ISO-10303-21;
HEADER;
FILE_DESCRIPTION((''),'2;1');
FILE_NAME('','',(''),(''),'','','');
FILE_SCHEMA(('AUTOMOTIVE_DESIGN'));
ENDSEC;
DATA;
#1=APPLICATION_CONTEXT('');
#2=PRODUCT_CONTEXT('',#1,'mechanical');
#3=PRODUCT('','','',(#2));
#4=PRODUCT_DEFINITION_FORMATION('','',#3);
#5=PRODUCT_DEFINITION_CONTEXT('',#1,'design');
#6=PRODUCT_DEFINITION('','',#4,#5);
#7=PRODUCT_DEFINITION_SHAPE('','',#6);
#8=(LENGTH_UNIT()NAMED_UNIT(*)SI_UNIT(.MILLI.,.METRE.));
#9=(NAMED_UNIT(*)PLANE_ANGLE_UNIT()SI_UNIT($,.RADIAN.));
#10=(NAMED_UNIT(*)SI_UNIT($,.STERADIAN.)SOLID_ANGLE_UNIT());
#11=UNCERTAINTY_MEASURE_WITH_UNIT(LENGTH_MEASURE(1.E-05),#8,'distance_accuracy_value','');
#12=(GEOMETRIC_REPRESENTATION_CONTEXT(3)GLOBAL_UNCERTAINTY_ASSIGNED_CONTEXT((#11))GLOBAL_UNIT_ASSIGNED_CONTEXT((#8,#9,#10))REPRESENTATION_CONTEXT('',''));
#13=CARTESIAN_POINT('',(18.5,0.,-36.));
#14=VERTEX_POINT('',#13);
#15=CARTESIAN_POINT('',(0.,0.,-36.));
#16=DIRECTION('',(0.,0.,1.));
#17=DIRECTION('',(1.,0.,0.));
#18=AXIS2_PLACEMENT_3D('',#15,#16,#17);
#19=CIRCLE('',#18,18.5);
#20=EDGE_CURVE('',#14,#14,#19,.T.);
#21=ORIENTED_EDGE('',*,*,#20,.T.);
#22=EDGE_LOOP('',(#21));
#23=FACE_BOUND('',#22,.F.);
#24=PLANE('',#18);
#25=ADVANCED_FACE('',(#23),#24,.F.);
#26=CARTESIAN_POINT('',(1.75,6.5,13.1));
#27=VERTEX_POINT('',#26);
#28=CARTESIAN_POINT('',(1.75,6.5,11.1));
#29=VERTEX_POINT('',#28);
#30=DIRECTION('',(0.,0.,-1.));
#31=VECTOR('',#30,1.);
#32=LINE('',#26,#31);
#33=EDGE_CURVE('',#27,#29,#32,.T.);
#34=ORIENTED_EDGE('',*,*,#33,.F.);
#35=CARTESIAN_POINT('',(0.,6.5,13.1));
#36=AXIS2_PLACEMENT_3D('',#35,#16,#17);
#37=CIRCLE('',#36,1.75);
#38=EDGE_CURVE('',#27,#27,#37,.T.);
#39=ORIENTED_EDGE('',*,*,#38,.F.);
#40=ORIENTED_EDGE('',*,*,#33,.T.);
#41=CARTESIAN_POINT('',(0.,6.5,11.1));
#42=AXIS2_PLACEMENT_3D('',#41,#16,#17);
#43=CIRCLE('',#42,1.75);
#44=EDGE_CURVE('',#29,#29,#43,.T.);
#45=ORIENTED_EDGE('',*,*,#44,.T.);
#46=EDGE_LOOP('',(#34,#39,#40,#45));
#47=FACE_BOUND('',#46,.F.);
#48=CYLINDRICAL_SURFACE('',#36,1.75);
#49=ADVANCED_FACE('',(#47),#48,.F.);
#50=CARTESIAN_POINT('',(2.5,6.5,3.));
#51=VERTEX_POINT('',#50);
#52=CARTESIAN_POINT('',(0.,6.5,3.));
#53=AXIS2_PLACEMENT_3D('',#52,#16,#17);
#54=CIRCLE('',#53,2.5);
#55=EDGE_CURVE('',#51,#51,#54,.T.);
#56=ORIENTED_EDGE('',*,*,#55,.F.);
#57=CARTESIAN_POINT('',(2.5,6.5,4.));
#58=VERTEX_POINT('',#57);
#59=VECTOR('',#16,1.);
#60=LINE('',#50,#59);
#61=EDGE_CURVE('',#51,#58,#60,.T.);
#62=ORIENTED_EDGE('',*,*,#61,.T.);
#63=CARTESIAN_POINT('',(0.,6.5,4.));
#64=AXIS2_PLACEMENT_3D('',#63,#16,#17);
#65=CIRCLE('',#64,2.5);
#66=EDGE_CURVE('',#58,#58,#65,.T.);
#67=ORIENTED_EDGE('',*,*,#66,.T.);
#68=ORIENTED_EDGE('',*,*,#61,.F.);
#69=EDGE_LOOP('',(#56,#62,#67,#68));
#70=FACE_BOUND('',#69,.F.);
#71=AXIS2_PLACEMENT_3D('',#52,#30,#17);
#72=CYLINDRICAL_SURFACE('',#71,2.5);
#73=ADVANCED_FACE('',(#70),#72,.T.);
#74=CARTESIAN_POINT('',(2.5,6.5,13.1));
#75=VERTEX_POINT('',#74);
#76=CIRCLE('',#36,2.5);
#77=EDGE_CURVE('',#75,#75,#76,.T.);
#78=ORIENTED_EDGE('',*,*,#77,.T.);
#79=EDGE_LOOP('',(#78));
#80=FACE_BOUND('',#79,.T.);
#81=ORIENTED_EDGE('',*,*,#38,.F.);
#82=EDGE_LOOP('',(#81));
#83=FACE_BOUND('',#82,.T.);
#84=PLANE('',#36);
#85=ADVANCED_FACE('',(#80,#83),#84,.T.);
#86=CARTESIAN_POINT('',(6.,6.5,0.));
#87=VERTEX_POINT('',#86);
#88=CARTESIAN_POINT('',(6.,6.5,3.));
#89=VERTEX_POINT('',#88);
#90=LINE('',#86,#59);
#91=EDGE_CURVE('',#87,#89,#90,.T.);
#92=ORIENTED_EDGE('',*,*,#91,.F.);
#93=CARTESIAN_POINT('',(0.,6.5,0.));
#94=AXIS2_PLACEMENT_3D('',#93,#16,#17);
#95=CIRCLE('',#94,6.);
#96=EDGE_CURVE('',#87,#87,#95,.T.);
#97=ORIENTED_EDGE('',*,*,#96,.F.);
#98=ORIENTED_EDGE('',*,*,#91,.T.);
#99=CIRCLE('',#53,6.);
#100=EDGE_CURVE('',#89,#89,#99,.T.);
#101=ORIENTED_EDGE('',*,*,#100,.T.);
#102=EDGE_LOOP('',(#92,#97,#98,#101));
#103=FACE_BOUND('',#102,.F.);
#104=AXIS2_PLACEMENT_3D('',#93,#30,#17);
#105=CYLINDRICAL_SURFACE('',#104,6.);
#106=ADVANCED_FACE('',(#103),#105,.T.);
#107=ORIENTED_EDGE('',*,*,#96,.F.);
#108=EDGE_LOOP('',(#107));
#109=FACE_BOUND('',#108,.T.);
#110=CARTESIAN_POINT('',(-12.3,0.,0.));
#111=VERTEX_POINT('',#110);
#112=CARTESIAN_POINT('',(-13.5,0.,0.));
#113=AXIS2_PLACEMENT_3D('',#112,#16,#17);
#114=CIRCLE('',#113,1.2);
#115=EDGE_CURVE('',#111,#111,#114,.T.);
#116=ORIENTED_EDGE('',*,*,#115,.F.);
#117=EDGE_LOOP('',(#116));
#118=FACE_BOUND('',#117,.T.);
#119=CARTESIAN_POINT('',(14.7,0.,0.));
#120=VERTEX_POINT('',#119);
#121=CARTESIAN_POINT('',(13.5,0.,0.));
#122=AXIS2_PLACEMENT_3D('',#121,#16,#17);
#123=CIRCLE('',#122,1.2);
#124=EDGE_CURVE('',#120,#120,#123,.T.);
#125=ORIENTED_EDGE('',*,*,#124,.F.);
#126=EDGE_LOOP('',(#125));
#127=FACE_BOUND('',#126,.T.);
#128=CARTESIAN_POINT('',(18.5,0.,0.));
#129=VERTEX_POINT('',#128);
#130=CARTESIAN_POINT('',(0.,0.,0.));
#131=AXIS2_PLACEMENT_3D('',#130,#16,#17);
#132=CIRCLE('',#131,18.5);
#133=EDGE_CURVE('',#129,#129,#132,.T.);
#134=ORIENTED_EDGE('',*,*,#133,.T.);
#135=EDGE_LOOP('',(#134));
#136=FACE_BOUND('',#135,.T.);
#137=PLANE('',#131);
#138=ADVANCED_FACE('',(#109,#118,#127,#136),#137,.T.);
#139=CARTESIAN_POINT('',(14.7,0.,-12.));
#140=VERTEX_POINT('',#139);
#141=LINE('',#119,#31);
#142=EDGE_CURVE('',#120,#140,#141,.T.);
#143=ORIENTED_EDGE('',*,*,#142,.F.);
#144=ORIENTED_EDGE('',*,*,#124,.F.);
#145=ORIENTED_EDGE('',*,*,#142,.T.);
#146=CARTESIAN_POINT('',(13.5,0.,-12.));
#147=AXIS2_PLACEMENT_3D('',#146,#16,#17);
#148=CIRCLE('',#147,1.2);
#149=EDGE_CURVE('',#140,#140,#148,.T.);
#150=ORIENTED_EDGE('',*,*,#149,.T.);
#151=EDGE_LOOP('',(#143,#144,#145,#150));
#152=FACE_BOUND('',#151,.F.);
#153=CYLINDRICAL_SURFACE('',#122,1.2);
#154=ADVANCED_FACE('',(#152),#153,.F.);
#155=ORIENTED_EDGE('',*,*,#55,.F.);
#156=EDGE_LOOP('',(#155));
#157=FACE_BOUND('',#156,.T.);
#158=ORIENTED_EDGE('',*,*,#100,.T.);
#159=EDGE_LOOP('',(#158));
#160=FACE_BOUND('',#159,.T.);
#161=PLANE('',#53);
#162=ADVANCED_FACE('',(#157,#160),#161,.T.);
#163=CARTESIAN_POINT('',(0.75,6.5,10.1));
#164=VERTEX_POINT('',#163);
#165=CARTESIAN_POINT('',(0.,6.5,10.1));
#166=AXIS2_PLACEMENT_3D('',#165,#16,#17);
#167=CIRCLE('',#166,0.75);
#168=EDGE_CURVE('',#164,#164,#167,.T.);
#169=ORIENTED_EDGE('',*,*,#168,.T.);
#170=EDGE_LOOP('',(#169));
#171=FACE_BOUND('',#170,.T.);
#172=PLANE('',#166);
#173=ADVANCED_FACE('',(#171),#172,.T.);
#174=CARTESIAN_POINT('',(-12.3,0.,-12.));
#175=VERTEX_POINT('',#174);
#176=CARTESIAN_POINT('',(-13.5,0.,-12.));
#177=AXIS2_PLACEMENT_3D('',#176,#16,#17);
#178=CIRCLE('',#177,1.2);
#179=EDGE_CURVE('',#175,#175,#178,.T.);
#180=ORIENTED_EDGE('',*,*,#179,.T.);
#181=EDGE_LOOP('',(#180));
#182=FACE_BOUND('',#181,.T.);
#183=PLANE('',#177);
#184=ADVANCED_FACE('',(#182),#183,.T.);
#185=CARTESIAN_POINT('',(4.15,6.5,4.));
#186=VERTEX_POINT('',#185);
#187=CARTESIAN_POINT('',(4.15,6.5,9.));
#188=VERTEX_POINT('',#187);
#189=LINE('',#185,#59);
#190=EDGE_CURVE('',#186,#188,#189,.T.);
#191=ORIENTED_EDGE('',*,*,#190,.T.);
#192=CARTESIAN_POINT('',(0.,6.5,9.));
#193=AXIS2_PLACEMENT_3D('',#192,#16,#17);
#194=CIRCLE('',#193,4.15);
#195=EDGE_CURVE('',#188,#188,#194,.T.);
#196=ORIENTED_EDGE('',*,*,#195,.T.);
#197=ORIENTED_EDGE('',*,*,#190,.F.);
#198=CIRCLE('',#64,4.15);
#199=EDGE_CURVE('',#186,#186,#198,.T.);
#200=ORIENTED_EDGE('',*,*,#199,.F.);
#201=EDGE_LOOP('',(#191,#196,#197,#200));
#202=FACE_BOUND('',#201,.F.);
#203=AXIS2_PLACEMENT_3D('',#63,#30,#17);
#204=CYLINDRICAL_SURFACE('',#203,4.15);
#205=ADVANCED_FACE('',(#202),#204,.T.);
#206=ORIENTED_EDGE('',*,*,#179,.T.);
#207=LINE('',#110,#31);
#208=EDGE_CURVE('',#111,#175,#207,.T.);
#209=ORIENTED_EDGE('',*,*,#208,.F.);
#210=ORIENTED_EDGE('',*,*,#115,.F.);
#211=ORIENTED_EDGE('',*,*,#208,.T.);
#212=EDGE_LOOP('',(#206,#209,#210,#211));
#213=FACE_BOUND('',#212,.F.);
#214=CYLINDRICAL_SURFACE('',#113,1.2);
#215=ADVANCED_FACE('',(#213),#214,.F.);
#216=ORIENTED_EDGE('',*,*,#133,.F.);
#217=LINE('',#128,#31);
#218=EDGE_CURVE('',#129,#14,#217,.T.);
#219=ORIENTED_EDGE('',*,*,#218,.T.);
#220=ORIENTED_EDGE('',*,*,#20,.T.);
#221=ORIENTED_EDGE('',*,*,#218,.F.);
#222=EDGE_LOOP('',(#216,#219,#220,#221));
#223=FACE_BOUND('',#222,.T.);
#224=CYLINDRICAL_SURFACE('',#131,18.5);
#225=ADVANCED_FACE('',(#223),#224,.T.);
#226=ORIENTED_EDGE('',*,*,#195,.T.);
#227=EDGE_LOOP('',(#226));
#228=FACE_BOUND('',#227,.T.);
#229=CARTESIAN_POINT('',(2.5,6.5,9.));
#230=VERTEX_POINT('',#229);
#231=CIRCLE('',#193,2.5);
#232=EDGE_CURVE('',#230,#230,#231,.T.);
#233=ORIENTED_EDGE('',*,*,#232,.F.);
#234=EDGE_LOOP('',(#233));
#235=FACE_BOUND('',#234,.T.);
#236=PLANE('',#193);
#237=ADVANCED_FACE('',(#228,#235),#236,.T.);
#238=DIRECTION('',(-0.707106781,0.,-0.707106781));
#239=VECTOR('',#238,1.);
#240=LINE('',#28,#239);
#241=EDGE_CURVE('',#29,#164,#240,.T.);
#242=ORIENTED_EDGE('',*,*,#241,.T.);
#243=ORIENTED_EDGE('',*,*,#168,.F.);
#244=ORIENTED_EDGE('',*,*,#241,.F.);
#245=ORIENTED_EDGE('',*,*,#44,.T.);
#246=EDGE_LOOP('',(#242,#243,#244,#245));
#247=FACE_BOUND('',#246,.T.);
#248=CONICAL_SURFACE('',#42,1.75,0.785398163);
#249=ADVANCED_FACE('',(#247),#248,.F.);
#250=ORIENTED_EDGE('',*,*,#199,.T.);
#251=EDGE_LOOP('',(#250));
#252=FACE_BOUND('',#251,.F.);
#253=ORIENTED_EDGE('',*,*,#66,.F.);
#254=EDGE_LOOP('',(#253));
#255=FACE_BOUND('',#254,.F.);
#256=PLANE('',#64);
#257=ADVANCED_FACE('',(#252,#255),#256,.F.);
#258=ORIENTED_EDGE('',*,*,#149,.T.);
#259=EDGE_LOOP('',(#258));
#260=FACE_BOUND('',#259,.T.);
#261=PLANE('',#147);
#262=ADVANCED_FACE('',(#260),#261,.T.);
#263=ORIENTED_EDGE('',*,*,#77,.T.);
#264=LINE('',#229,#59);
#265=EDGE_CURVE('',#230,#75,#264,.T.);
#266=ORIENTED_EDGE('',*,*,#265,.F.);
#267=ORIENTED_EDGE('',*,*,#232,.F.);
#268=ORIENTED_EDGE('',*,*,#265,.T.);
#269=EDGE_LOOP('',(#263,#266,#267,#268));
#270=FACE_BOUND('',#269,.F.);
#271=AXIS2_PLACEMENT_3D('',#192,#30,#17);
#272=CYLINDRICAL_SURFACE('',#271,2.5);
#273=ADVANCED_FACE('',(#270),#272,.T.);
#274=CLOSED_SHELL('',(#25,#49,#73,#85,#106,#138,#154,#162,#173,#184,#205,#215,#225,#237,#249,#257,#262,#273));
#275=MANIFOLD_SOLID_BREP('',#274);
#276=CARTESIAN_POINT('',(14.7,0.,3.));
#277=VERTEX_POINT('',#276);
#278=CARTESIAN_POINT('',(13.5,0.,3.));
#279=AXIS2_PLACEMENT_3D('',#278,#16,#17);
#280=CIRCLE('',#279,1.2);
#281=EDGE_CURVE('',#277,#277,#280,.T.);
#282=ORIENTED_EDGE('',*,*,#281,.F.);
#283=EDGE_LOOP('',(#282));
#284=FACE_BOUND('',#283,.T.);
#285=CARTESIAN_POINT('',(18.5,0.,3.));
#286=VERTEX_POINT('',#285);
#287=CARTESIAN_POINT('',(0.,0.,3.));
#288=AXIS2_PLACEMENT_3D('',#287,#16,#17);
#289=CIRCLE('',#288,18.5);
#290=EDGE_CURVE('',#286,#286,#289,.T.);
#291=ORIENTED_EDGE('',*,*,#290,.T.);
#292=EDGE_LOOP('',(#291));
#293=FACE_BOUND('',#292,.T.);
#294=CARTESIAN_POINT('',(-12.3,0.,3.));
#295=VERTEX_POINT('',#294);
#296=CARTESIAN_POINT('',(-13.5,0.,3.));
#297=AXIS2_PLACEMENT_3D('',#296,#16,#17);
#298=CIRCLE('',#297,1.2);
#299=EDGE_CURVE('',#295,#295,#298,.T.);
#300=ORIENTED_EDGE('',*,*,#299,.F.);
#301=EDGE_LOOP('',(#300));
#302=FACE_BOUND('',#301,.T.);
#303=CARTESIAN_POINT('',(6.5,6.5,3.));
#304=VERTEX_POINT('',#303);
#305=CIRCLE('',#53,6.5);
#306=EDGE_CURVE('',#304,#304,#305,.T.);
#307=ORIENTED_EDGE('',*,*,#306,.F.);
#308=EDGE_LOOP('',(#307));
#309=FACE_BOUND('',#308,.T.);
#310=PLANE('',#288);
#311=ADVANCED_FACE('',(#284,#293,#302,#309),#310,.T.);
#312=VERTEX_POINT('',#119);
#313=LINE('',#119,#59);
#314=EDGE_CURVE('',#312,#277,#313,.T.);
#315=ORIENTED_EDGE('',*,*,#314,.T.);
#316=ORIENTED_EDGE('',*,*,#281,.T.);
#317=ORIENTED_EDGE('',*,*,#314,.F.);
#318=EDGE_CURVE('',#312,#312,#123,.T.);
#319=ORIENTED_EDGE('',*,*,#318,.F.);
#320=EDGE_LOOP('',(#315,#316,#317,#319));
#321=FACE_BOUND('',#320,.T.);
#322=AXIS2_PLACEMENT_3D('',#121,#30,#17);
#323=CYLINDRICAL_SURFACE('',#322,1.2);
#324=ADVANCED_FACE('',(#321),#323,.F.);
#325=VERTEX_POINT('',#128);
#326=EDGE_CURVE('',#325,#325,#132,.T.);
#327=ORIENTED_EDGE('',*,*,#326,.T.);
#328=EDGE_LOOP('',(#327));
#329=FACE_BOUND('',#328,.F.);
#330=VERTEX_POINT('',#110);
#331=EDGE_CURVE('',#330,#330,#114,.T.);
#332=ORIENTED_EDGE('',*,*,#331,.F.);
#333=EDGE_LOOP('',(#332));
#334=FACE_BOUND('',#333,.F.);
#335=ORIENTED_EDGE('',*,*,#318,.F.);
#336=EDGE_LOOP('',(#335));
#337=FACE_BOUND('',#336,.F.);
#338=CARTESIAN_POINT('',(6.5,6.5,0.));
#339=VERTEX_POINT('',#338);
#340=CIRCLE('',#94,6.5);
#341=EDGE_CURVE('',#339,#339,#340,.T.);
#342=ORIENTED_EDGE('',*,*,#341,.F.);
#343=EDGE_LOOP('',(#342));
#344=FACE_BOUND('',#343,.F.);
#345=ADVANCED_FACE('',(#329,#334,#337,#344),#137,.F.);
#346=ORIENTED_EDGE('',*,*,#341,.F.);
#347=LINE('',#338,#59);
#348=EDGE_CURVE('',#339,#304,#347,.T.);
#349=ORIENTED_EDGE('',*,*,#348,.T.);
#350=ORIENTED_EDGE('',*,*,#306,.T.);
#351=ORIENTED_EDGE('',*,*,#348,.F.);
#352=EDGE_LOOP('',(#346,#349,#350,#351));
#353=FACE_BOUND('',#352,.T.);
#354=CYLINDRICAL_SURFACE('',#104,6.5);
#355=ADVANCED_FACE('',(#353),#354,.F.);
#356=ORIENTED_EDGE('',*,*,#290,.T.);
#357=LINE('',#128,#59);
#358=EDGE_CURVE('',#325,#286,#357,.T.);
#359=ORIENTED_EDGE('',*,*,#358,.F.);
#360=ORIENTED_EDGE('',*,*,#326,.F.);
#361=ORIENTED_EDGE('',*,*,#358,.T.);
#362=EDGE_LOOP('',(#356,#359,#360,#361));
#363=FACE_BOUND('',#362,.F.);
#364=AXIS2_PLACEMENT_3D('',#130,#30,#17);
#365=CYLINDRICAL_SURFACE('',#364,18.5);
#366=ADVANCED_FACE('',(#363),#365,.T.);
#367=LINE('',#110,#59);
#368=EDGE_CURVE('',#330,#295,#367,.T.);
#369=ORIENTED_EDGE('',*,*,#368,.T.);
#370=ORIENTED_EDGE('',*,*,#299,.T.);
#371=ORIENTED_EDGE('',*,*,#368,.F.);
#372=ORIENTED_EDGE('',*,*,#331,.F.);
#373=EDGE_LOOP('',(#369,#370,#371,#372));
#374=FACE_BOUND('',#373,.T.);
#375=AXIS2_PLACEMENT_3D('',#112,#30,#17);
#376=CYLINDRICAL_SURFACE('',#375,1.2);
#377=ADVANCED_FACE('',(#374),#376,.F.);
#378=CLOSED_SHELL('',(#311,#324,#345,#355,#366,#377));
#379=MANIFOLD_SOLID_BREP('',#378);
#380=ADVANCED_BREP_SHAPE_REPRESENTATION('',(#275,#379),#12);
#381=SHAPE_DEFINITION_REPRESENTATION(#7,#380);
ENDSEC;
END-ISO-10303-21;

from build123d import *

# Parameters (mm, degrees)
F0_R      = 18.5
F1_DEPTH  = 36
F2_R      = 1.2
F3_DEPTH  = 12
F2_R_2    = 6
F4_DEPTH  = 3
F5_R      = 2.5
F6_DEPTH  = 1
F7_R      = 4.15
F7_R_2    = 2.5
F8_DEPTH  = 5
F9_R      = 2.5
F10_DEPTH = 4.1
F11_R     = 1.75
F12_DEPTH = 3
F13_SIZE  = 1
F14_R     = 18.5
F14_R_2   = 1.2
F14_R_3   = 6.5
F15_DEPTH = 3


with BuildPart() as f1:
    # F0 (on Top) → F1 (new body)
    with BuildSketch(Plane.XY):
        Circle(F0_R)
    extrude(amount=-F1_DEPTH)

    # F2 (on face) → F3 (cut)
    with BuildSketch(Plane.XY):
        with Locations((-13.5, 0)):
            Circle(F2_R)
        with Locations((13.5, 0)):
            Circle(F2_R)
    extrude(amount=-F3_DEPTH, mode=Mode.SUBTRACT)

    # F2 (on face) → F4 (join)
    with BuildSketch(Plane.XY):
        with Locations((0, 6.5)):
            Circle(F2_R_2)
    extrude(amount=F4_DEPTH)

    # F5 (on face) → F6 (join)
    with BuildSketch(Plane.XY.offset(3)):
        with Locations((0, 6.5)):
            Circle(F5_R)
    extrude(amount=F6_DEPTH)

    # F7 (on face) → F8 (join)
    with BuildSketch(Plane.XY.offset(4)):
        with Locations((0, 6.5)):
            Circle(F7_R)
        with Locations((0, 6.5)):
            Circle(F7_R_2, mode=Mode.SUBTRACT)
        with Locations((0, 6.5)):
            Circle(F7_R_2)
    extrude(amount=F8_DEPTH)

    # F9 (on face) → F10 (join)
    with BuildSketch(Plane.XY.offset(9)):
        with Locations((0, 6.5)):
            Circle(F9_R)
    extrude(amount=F10_DEPTH)

    # F11 (on face) → F12 (cut)
    with BuildSketch(Plane.XY.offset(13.1)):
        with Locations((0, 6.5)):
            Circle(F11_R)
    extrude(amount=-F12_DEPTH, mode=Mode.SUBTRACT)

    # F13
    f13_edges = [f1.edges().sort_by_distance(p)[0] for p in [
        (-1.75, 6.5, 10.1),
    ]]
    chamfer(f13_edges, length=F13_SIZE)


with BuildPart() as f15:
    # F14 (on face) → F15 (new body, through all)
    with BuildSketch(Plane.XY):
        Circle(F14_R)
        with Locations((-13.5, 0)):
            Circle(F14_R_2, mode=Mode.SUBTRACT)
        with Locations((0, 6.5)):
            Circle(F14_R_3, mode=Mode.SUBTRACT)
        with Locations((13.5, 0)):
            Circle(F14_R_2, mode=Mode.SUBTRACT)
    extrude(amount=F15_DEPTH)


solid = Compound([f1.part, f15.part])
